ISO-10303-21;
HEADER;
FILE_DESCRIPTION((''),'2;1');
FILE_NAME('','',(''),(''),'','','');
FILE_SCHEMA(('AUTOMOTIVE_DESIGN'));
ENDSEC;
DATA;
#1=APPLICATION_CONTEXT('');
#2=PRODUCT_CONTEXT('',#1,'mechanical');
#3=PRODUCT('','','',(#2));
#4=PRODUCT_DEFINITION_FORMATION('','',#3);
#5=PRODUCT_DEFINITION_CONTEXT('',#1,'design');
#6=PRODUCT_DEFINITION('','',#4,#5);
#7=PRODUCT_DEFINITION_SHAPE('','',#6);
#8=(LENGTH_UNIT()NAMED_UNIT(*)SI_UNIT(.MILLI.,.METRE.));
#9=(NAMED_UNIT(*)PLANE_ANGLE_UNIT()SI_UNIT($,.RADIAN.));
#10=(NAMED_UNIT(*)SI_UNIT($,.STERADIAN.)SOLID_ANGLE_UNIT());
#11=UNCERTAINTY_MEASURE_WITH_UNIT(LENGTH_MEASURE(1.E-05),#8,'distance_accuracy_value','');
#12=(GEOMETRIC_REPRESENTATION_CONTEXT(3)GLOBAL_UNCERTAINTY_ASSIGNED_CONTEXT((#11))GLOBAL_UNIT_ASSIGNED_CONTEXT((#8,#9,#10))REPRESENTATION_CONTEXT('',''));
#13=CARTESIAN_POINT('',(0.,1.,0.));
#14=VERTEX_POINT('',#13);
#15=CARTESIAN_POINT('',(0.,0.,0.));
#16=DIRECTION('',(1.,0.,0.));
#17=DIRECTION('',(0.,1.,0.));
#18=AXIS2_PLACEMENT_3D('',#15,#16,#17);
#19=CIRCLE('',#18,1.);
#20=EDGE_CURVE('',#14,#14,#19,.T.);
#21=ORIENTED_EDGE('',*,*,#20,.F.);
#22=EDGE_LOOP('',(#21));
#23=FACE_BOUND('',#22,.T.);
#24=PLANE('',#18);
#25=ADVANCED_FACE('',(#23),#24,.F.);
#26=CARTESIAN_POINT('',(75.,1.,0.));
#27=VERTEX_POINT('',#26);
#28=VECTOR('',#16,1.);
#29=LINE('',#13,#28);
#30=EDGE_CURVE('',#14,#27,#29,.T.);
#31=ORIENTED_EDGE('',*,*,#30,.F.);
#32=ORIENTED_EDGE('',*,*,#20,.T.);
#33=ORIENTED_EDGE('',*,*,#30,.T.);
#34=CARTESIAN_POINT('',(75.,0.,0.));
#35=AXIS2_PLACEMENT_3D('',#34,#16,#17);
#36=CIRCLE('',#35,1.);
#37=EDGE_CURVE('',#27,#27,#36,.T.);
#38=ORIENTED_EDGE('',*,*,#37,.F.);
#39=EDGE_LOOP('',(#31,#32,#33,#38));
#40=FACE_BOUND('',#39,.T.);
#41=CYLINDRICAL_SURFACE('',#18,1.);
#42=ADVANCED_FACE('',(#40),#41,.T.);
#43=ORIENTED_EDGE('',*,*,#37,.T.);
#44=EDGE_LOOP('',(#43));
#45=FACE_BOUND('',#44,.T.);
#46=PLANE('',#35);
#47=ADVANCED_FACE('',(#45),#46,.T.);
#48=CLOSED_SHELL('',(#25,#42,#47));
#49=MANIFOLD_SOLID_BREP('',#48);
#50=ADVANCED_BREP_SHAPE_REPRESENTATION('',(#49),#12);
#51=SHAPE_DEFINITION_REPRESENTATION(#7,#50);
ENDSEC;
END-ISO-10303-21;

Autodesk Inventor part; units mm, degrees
ref_plane "Plan de départ" through (0, 0, 0) normal (1, 0, 0) x (0, 1, 0)
ref_plane "XZ Plane" through (0, 0, 0) normal (0, 1, 0) x (-1, 0, 0)
ref_plane "XY Plane" through (0, 0, 0) normal (0, 0, 1) x (1, 0, 0)
sketch "Esquisse principale" plane through (0, 0, 0) normal (0, 0, 1) x (1, 0, 0)
  line L0 (0, 0) -> (75, 0)
  line L1 (0, 0) -> (0, 1)
  line L2 (75, 1) -> (75, 0)
  line L3 (0, 1) -> (75, 1)
  dimension "d3" = 2
revolve "Révolution1" add sketch "Esquisse principale" angle 360 about axis through (0, 0, 0) along (1, 0, 0)
properties part number "Arbre" material "Steel"
